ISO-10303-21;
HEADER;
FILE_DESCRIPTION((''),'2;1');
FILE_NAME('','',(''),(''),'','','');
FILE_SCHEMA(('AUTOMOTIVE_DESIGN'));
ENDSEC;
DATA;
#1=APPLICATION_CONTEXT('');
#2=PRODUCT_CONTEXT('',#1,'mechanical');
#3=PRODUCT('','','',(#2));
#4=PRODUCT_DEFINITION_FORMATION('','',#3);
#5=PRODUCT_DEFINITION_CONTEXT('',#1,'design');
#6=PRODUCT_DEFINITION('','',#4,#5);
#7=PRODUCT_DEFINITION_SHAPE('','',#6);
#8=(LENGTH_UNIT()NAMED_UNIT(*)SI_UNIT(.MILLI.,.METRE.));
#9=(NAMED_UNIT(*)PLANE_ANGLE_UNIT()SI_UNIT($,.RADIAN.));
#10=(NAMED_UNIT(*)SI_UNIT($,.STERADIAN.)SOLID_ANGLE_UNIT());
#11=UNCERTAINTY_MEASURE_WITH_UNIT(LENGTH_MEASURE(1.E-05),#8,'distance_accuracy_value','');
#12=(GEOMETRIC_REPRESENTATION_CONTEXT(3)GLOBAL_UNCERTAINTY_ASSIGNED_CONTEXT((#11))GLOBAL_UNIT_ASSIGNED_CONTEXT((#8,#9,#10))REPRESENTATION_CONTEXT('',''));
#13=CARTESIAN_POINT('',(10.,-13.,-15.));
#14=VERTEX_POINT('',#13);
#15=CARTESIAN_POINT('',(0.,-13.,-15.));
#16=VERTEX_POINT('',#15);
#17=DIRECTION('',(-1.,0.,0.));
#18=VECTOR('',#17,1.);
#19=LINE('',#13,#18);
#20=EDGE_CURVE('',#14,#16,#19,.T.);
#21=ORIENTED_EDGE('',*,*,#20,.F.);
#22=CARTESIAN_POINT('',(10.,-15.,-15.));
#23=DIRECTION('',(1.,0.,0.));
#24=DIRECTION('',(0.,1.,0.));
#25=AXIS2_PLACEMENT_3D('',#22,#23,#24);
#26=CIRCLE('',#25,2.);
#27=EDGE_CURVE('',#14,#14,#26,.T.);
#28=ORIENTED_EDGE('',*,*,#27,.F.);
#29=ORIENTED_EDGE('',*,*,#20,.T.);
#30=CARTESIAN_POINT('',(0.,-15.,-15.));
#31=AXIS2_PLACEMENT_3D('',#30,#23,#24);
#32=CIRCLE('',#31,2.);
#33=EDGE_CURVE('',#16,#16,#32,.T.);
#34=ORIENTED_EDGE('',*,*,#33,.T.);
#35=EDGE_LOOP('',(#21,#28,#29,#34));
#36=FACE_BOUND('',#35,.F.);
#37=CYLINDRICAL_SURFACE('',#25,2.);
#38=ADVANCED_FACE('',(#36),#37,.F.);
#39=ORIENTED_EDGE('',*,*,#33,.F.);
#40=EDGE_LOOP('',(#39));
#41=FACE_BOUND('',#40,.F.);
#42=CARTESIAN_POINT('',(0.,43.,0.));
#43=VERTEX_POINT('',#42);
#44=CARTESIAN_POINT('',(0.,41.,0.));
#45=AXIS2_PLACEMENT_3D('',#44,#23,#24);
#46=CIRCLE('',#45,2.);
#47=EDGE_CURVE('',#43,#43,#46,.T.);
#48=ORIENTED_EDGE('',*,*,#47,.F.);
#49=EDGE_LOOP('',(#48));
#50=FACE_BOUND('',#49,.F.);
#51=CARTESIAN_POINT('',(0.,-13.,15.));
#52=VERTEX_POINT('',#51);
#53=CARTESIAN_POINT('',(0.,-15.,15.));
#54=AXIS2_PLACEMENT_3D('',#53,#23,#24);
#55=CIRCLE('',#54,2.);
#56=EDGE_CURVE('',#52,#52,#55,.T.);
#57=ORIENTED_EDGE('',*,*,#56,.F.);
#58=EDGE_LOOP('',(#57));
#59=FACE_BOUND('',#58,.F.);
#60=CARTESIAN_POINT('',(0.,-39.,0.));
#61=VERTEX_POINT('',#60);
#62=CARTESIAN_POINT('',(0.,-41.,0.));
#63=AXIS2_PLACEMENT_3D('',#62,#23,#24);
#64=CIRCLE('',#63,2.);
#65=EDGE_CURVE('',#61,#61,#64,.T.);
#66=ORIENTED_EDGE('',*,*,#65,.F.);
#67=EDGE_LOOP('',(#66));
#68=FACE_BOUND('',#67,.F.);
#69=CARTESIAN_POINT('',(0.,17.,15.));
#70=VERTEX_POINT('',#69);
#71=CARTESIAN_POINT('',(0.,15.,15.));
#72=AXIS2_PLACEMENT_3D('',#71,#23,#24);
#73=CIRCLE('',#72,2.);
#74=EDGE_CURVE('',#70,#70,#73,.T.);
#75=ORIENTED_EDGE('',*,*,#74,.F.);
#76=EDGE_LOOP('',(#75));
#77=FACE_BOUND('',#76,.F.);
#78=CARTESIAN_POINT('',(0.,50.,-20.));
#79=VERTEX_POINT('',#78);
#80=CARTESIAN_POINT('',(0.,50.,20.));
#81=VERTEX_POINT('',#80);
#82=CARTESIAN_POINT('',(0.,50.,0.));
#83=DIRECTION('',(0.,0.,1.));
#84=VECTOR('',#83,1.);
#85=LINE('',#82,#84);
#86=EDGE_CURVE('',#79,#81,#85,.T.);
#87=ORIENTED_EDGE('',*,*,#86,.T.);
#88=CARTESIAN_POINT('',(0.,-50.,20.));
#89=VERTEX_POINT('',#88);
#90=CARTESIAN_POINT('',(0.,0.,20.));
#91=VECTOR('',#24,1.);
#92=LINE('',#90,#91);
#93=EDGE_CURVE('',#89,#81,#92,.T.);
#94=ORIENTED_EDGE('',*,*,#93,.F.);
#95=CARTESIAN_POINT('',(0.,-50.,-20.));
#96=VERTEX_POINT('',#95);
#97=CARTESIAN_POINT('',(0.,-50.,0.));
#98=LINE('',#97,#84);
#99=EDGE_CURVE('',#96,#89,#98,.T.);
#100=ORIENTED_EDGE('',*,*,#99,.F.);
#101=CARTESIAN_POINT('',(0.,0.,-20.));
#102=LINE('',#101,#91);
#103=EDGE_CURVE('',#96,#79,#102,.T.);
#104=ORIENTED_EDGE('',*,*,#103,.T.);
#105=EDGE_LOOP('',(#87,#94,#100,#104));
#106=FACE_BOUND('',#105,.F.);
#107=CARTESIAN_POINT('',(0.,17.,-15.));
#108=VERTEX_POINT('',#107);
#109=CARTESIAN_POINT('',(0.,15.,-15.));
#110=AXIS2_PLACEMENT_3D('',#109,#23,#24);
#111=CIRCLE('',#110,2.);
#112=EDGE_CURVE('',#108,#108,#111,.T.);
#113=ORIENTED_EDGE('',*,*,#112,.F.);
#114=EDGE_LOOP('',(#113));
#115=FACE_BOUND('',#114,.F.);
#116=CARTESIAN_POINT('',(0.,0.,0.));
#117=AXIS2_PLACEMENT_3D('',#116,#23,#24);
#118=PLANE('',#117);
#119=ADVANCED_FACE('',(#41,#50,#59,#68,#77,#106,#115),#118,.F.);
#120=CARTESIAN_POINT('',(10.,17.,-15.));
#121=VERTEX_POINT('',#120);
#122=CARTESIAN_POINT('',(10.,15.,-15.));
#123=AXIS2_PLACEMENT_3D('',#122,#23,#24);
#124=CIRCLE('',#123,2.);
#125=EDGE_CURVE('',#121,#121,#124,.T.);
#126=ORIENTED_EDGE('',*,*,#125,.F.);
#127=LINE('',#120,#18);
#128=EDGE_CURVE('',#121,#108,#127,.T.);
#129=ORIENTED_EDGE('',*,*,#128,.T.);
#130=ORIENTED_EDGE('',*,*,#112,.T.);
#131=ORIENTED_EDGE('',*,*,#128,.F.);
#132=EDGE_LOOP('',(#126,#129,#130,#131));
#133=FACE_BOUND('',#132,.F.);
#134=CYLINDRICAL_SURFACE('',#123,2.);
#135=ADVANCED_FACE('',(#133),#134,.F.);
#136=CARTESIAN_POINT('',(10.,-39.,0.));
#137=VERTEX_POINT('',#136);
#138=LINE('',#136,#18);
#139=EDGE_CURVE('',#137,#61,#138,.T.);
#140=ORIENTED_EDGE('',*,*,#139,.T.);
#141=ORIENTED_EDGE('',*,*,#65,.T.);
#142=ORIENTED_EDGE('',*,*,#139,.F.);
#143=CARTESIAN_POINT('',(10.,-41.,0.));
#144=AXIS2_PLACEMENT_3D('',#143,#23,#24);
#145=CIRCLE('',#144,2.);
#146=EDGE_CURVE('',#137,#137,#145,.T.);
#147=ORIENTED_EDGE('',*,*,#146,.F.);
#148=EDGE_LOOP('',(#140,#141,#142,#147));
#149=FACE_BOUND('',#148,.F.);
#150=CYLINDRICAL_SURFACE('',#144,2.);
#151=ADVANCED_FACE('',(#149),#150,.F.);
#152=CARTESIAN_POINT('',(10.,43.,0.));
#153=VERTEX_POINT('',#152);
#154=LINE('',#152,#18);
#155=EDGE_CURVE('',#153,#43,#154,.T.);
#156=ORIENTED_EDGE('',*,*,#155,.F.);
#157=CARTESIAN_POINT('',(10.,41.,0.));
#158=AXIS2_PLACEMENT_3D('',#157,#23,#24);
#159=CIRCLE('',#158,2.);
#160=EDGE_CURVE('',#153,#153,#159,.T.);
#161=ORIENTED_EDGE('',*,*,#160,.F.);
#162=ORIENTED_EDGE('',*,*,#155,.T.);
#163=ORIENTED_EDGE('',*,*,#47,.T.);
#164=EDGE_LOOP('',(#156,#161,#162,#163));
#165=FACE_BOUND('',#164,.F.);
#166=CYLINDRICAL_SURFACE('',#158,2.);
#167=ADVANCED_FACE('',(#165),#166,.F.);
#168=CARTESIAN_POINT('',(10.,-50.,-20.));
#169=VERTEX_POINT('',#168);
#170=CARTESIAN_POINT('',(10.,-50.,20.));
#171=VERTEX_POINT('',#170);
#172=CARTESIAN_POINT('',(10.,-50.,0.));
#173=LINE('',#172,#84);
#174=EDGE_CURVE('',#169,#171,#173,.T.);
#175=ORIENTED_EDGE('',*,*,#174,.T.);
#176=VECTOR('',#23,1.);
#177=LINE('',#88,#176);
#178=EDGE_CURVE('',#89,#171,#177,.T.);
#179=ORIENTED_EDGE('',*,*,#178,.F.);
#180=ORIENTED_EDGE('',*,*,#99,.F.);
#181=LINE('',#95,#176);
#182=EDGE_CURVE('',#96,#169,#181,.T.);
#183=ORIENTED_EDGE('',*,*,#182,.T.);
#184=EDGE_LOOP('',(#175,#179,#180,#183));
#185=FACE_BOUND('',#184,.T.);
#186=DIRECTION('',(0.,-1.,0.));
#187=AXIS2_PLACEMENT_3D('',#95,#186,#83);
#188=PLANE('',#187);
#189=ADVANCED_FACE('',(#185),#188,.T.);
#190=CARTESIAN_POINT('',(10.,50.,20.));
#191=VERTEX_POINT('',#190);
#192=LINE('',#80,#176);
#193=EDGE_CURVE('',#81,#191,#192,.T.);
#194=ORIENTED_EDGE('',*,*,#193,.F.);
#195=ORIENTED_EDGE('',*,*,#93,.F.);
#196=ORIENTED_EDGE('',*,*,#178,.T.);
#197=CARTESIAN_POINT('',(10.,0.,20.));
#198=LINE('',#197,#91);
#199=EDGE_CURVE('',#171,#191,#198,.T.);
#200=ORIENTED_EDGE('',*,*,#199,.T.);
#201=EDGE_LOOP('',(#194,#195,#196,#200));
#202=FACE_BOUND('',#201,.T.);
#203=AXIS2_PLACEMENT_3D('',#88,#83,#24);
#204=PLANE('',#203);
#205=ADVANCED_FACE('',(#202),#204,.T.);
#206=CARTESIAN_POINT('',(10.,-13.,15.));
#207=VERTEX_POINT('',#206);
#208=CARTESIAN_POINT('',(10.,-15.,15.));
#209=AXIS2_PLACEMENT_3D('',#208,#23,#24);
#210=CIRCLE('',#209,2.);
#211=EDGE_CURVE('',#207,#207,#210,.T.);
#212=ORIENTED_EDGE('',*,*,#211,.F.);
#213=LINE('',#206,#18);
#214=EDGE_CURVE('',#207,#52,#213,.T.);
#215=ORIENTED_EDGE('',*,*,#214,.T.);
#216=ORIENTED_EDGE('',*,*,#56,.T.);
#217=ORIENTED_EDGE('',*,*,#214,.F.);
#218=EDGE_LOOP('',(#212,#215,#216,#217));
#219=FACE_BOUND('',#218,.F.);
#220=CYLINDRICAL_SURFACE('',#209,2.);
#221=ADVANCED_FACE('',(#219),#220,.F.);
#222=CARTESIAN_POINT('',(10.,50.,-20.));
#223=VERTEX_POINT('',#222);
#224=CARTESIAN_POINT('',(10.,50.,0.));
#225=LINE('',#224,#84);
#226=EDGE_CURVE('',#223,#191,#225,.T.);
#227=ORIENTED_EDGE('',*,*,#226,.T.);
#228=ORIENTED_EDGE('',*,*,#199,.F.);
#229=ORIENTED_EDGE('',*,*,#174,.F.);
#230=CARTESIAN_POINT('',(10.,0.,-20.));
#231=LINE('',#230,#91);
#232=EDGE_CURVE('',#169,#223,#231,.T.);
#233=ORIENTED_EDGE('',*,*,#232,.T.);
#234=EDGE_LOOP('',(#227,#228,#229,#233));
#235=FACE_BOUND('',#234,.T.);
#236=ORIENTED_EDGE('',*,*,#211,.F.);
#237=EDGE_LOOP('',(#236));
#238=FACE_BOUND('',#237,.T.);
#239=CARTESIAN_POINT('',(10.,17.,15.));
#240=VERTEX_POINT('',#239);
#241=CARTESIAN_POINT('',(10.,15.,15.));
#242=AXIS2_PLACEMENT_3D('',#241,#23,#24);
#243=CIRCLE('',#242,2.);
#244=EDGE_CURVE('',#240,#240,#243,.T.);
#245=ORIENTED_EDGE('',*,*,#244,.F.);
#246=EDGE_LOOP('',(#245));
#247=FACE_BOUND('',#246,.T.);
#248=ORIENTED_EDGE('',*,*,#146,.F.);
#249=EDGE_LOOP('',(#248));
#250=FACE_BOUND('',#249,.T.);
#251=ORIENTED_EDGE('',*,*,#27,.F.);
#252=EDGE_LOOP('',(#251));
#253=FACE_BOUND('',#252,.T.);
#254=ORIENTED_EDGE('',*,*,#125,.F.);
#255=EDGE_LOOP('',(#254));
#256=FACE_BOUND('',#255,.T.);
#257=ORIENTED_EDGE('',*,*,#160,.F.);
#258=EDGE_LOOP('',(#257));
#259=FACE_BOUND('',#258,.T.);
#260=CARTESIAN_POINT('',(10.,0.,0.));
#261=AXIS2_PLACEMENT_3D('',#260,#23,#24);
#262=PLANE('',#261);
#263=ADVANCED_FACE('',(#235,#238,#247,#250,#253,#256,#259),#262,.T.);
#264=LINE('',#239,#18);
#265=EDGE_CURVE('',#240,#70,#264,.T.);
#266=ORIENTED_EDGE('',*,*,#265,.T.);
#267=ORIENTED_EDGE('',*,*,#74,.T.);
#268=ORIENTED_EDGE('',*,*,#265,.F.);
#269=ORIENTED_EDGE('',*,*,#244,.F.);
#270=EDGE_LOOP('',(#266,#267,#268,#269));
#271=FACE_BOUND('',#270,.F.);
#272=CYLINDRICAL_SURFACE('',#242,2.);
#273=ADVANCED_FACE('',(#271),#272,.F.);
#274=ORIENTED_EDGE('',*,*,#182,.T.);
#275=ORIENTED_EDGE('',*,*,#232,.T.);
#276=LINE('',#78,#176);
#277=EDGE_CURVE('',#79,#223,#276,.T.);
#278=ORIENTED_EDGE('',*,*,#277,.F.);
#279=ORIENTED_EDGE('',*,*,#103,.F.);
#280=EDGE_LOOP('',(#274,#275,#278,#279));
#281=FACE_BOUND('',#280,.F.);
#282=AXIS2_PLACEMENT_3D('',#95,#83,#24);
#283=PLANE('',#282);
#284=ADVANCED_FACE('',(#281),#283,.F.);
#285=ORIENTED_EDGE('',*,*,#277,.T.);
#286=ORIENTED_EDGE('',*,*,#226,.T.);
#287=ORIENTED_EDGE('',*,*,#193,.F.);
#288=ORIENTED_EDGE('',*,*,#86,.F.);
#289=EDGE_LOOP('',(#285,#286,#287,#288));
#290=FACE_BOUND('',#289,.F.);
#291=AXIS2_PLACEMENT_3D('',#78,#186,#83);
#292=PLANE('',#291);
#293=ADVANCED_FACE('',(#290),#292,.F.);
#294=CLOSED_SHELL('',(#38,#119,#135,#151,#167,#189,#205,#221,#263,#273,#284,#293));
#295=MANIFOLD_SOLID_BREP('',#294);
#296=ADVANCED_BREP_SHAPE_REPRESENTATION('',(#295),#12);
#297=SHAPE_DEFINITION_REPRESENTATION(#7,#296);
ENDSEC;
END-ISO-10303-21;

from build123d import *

# Parameters (mm, degrees)
F0_W     = 100
F0_H     = 40
F1_DEPTH = 10
F2_R     = 2
F3_DEPTH = 10.001
F4_R     = 2
F5_DEPTH = 10.001


with BuildPart() as f1:
    # F0 (on Right) → F1 (new body)
    with BuildSketch(Plane.YZ):
        Rectangle(F0_W, F0_H)
    extrude(amount=F1_DEPTH)

    # F2 (on face) → F3 (cut, through all)
    with BuildSketch(Plane.YZ.offset(10)):
        with Locations((-15, 15)):
            Circle(F2_R)
        with Locations((15, 15)):
            Circle(F2_R)
        with Locations((-15, -15)):
            Circle(F2_R)
        with Locations((15, -15)):
            Circle(F2_R)
    extrude(amount=-F3_DEPTH, mode=Mode.SUBTRACT)

    # F4 (on face) → F5 (cut, through all)
    with BuildSketch(Plane.YZ.offset(10)):
        with Locations((-41, 0)):
            Circle(F4_R)
        with Locations((41, 0)):
            Circle(F4_R)
    extrude(amount=-F5_DEPTH, mode=Mode.SUBTRACT)


solid = f1.part
